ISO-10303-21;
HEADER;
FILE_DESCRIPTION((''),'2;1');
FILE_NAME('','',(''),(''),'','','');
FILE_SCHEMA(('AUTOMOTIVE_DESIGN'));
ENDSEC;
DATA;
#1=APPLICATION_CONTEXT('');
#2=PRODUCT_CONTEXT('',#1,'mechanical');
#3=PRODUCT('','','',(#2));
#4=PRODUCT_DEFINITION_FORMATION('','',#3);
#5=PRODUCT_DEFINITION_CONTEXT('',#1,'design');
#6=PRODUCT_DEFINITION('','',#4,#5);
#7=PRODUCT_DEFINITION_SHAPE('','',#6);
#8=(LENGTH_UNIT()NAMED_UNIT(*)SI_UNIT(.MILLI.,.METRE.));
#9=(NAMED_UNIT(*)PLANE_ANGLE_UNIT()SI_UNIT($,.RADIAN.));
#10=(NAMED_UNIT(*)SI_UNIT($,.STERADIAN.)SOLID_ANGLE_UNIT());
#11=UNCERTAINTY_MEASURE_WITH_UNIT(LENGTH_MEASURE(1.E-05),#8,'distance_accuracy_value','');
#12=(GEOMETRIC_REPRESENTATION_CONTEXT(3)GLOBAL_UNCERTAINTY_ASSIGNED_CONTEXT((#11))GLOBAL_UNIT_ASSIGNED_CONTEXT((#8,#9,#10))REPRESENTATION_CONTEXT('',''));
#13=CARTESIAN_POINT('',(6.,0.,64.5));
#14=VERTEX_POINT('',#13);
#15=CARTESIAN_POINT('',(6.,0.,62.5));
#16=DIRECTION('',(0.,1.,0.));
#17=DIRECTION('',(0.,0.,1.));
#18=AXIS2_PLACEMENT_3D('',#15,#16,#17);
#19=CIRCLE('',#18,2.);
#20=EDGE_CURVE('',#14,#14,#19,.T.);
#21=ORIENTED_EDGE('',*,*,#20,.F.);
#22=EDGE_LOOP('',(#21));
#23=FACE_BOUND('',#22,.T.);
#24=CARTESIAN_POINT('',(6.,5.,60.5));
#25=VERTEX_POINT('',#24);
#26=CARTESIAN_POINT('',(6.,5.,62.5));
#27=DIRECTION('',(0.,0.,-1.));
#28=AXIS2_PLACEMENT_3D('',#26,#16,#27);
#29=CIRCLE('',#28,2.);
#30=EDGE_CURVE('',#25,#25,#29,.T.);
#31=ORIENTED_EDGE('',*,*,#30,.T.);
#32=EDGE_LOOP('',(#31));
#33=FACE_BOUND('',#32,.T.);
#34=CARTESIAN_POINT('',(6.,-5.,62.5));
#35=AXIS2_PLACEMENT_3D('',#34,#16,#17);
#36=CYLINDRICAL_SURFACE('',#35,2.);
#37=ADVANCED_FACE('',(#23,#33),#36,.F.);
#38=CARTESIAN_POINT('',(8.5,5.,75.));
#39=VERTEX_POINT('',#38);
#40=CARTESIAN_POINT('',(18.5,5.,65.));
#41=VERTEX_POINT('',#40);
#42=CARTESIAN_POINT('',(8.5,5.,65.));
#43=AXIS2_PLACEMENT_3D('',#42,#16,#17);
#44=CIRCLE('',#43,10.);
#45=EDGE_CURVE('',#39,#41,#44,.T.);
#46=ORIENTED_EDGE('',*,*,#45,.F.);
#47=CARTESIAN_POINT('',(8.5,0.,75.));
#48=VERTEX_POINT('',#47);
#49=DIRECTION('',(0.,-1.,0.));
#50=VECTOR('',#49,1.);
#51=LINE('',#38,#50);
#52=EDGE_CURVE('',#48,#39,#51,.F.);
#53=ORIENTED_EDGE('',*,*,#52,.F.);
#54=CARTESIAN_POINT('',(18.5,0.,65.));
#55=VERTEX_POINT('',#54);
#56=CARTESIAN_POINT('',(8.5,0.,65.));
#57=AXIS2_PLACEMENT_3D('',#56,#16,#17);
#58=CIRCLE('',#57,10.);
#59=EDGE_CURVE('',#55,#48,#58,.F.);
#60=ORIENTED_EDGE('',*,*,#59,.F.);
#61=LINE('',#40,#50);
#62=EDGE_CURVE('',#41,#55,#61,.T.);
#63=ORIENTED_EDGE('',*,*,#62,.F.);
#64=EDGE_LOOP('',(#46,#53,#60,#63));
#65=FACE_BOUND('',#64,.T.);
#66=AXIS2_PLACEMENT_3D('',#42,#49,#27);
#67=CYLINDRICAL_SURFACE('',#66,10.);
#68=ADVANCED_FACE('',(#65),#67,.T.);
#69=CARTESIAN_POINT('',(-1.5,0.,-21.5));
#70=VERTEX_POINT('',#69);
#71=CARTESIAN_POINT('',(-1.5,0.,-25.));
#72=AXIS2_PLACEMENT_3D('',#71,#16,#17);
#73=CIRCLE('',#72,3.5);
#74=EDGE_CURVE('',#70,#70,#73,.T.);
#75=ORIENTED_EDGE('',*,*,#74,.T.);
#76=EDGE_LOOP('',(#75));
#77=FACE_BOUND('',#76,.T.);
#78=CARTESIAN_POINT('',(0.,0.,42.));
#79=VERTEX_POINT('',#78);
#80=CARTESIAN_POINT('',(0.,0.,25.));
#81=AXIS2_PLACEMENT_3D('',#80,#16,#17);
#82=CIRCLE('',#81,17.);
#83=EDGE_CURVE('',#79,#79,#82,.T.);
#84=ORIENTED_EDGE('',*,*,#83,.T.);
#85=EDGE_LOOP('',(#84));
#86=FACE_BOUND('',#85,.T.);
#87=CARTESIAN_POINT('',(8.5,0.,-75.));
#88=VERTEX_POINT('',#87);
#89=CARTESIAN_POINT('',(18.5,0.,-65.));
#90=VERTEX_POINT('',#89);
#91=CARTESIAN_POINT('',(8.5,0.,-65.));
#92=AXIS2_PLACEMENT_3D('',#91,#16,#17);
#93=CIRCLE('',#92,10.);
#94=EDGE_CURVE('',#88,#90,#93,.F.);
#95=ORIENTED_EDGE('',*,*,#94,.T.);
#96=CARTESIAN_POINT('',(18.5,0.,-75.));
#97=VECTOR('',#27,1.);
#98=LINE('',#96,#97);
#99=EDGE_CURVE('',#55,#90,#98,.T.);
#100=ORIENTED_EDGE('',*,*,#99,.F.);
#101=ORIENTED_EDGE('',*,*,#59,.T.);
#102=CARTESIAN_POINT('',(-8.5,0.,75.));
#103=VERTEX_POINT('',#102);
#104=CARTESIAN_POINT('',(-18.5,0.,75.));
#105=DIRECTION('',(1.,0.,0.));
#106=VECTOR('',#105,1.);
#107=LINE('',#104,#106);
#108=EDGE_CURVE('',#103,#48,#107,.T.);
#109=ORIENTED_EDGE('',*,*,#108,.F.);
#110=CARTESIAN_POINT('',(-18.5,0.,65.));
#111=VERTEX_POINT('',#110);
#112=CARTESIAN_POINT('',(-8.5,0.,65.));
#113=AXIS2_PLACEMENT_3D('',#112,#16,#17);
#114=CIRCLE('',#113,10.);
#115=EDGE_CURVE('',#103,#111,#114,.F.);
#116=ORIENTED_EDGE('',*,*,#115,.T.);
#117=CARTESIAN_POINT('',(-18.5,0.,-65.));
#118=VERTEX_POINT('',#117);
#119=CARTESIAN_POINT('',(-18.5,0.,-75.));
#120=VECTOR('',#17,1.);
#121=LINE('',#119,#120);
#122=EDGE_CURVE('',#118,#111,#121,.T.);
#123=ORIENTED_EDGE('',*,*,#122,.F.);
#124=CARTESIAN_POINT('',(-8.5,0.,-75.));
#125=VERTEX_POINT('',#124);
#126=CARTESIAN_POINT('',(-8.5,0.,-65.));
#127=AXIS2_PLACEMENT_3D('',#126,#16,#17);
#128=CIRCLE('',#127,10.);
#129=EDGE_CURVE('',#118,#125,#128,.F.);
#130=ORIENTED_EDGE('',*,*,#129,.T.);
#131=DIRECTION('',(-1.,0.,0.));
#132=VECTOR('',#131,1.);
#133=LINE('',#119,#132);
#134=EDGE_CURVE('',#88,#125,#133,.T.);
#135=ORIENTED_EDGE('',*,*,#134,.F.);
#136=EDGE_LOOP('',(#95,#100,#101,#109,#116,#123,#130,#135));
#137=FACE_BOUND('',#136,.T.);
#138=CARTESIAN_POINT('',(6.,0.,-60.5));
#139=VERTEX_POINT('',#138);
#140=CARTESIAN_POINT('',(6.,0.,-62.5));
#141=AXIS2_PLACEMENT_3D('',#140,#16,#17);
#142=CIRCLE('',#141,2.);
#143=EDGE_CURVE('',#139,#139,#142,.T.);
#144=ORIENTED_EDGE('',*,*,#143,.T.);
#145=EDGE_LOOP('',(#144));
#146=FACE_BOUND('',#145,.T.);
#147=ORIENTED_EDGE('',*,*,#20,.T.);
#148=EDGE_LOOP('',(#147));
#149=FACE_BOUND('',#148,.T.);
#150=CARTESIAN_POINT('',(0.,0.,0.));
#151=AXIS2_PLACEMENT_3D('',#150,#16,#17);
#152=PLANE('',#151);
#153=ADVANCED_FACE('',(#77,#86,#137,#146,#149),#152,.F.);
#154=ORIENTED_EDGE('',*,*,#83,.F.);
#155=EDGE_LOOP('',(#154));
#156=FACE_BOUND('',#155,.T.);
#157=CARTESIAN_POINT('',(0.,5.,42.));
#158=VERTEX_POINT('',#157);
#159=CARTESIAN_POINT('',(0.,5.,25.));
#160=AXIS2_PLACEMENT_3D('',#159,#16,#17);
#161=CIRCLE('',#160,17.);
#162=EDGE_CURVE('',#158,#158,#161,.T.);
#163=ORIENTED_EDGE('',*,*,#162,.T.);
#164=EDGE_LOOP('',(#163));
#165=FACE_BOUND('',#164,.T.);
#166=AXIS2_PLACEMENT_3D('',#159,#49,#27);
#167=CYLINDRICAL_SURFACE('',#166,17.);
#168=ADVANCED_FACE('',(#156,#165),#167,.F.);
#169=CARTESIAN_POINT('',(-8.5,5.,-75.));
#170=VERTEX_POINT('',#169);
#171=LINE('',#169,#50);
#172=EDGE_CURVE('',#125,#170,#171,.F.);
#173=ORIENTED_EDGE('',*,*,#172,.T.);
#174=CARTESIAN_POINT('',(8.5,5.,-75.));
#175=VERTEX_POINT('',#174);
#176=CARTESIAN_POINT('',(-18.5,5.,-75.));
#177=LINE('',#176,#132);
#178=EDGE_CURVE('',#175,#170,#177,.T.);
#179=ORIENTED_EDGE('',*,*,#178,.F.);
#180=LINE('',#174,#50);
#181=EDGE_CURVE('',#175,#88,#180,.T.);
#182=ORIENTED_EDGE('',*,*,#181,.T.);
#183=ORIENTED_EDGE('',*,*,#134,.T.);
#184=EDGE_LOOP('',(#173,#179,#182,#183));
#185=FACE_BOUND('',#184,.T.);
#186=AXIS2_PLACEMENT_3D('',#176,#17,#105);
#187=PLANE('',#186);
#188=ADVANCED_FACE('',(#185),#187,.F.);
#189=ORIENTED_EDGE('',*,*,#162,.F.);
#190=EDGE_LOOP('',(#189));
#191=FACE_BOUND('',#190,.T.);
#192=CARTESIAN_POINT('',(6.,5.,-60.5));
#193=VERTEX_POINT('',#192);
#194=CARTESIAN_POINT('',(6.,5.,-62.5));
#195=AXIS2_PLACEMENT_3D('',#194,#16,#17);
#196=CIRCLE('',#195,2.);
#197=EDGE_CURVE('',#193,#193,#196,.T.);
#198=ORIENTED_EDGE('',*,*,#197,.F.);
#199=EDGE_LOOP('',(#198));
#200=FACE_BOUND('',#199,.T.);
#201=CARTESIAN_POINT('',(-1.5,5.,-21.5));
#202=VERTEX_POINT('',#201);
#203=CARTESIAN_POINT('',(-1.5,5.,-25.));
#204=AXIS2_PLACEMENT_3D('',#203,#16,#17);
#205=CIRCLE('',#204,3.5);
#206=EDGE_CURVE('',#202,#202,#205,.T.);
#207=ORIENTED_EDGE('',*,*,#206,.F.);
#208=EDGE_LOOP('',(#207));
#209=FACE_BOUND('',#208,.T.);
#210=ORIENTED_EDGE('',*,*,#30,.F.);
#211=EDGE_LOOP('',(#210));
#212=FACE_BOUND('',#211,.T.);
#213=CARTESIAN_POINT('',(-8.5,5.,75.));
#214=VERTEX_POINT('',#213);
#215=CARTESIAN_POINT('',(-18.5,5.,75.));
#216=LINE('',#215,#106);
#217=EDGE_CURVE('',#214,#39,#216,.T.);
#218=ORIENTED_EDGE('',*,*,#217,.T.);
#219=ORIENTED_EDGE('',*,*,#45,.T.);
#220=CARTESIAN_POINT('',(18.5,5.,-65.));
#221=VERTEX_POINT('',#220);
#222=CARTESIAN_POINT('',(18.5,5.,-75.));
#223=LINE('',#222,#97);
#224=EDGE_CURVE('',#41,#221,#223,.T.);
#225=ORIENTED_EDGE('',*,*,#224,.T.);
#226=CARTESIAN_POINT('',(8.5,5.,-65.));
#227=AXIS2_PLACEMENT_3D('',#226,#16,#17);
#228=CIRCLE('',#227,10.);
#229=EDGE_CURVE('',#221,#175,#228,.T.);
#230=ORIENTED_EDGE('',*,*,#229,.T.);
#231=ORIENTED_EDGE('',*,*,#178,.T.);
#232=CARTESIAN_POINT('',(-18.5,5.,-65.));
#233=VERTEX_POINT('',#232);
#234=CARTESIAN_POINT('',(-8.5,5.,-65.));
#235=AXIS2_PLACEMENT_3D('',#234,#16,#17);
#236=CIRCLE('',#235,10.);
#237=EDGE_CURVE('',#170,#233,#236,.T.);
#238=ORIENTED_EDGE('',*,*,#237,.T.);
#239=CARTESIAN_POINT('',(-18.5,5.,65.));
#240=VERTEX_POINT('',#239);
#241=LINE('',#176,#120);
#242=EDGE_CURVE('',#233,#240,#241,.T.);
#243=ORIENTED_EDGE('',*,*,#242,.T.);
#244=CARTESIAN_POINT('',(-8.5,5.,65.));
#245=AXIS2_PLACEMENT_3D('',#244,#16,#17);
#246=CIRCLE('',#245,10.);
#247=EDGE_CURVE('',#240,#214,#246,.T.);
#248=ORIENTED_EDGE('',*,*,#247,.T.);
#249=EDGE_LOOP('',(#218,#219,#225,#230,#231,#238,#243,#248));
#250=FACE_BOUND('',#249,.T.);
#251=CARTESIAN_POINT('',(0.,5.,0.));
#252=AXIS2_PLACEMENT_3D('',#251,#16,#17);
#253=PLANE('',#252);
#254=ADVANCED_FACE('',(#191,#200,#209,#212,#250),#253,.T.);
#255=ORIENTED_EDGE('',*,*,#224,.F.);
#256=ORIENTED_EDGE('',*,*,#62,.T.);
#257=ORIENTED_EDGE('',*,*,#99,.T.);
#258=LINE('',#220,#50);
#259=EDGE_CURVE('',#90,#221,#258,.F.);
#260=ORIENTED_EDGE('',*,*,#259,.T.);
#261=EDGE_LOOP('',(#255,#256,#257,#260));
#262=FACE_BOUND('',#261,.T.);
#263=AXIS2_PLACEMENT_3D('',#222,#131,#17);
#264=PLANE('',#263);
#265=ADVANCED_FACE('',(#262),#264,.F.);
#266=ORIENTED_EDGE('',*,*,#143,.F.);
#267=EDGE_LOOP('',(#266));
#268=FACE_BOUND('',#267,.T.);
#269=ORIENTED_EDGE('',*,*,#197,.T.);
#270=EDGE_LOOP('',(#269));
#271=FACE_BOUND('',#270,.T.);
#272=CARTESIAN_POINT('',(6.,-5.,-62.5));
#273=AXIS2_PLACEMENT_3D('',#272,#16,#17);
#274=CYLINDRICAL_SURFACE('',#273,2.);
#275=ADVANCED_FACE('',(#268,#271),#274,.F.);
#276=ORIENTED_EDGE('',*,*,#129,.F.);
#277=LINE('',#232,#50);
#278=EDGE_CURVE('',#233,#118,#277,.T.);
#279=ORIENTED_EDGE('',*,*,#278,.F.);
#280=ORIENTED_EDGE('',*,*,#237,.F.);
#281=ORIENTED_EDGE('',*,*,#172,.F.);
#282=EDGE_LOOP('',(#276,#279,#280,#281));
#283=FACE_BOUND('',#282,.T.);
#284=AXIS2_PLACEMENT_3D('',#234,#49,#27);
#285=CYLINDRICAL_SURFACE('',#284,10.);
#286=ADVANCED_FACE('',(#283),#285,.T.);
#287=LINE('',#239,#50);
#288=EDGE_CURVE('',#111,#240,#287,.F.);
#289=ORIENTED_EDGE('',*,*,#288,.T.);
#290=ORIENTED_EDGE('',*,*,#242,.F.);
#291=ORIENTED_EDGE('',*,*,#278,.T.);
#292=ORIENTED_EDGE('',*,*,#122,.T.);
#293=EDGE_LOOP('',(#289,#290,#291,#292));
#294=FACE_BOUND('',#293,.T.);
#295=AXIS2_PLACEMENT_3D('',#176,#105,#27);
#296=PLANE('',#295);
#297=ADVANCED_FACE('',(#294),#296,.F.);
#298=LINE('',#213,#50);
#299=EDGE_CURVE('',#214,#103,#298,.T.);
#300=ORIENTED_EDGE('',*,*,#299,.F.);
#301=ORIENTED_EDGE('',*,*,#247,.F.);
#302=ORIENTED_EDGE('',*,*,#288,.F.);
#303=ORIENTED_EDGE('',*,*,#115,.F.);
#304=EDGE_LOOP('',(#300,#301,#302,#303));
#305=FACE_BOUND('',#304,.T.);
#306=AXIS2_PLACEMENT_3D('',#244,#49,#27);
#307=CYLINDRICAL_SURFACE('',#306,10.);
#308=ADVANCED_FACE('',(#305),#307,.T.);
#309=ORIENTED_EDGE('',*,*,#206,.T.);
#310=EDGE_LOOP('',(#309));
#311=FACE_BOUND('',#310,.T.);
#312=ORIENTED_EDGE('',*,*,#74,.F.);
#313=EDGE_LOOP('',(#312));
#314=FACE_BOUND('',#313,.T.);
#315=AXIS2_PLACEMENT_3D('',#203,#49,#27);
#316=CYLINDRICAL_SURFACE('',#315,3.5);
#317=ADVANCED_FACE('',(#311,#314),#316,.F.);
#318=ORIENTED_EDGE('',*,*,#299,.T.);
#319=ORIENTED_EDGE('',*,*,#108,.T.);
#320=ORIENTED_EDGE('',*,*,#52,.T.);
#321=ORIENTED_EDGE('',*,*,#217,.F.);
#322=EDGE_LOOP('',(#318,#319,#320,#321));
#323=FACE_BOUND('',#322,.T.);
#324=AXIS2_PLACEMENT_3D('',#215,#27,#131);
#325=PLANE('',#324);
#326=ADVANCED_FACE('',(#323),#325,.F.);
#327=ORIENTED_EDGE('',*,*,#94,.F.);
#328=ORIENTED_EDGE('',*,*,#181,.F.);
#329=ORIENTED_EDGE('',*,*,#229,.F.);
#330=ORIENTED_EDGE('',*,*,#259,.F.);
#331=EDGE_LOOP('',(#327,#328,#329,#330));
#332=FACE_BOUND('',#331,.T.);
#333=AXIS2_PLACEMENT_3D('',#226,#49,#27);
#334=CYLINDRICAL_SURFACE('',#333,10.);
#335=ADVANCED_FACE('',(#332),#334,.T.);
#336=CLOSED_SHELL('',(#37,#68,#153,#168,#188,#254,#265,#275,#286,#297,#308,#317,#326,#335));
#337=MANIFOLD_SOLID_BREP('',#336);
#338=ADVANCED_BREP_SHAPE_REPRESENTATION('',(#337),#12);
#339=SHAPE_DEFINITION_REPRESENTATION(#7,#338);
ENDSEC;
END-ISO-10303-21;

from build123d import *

# Parameters (mm, degrees)
CROQUIS1_W              = 37
CROQUIS1_H              = 150
CROQUIS1_R              = 3.5
CROQUIS1_R_2            = 17
SALIENTE_EXTRUIR1_DEPTH = 5
REDONDEO1_R             = 10
CROQUIS2_R              = 2
CORTAR_EXTRUIR2_DEPTH   = 10


with BuildPart() as part:
    # Croquis1 → Saliente-Extruir1 (new body)
    with BuildSketch(Plane(origin=(0, 0, 0), x_dir=(1, 0, 0), z_dir=(0, 1, 0))):
        Rectangle(CROQUIS1_W, CROQUIS1_H)
        with Locations(Location((-1.5, 25, 0), (0, 0, 270))):
            Circle(CROQUIS1_R, mode=Mode.SUBTRACT)
        with Locations(Location((0, -25, 0), (0, 0, 270))):
            Circle(CROQUIS1_R_2, mode=Mode.SUBTRACT)
    extrude(amount=SALIENTE_EXTRUIR1_DEPTH)

    # Redondeo1
    redondeo1_edges = [part.edges().sort_by_distance(p)[0] for p in [
        (18.5, 2.5, 75),
        (-18.5, 2.5, 75),
        (-18.5, 2.5, -75),
        (18.5, 2.5, -75),
    ]]
    fillet(redondeo1_edges, radius=REDONDEO1_R)

    # Croquis2 → Cortar-Extruir2 (cut)
    with BuildSketch(Plane(origin=(0, 5, 0), x_dir=(1, 0, 0), z_dir=(0, 1, 0))):
        with Locations(Location((6, 62.5, 0), (0, 0, 270))):
            Circle(CROQUIS2_R)
        with Locations(Location((6, -62.5, 0), (0, 0, 270))):
            Circle(CROQUIS2_R)
    extrude(amount=-CORTAR_EXTRUIR2_DEPTH, mode=Mode.SUBTRACT)


solid = part.part
